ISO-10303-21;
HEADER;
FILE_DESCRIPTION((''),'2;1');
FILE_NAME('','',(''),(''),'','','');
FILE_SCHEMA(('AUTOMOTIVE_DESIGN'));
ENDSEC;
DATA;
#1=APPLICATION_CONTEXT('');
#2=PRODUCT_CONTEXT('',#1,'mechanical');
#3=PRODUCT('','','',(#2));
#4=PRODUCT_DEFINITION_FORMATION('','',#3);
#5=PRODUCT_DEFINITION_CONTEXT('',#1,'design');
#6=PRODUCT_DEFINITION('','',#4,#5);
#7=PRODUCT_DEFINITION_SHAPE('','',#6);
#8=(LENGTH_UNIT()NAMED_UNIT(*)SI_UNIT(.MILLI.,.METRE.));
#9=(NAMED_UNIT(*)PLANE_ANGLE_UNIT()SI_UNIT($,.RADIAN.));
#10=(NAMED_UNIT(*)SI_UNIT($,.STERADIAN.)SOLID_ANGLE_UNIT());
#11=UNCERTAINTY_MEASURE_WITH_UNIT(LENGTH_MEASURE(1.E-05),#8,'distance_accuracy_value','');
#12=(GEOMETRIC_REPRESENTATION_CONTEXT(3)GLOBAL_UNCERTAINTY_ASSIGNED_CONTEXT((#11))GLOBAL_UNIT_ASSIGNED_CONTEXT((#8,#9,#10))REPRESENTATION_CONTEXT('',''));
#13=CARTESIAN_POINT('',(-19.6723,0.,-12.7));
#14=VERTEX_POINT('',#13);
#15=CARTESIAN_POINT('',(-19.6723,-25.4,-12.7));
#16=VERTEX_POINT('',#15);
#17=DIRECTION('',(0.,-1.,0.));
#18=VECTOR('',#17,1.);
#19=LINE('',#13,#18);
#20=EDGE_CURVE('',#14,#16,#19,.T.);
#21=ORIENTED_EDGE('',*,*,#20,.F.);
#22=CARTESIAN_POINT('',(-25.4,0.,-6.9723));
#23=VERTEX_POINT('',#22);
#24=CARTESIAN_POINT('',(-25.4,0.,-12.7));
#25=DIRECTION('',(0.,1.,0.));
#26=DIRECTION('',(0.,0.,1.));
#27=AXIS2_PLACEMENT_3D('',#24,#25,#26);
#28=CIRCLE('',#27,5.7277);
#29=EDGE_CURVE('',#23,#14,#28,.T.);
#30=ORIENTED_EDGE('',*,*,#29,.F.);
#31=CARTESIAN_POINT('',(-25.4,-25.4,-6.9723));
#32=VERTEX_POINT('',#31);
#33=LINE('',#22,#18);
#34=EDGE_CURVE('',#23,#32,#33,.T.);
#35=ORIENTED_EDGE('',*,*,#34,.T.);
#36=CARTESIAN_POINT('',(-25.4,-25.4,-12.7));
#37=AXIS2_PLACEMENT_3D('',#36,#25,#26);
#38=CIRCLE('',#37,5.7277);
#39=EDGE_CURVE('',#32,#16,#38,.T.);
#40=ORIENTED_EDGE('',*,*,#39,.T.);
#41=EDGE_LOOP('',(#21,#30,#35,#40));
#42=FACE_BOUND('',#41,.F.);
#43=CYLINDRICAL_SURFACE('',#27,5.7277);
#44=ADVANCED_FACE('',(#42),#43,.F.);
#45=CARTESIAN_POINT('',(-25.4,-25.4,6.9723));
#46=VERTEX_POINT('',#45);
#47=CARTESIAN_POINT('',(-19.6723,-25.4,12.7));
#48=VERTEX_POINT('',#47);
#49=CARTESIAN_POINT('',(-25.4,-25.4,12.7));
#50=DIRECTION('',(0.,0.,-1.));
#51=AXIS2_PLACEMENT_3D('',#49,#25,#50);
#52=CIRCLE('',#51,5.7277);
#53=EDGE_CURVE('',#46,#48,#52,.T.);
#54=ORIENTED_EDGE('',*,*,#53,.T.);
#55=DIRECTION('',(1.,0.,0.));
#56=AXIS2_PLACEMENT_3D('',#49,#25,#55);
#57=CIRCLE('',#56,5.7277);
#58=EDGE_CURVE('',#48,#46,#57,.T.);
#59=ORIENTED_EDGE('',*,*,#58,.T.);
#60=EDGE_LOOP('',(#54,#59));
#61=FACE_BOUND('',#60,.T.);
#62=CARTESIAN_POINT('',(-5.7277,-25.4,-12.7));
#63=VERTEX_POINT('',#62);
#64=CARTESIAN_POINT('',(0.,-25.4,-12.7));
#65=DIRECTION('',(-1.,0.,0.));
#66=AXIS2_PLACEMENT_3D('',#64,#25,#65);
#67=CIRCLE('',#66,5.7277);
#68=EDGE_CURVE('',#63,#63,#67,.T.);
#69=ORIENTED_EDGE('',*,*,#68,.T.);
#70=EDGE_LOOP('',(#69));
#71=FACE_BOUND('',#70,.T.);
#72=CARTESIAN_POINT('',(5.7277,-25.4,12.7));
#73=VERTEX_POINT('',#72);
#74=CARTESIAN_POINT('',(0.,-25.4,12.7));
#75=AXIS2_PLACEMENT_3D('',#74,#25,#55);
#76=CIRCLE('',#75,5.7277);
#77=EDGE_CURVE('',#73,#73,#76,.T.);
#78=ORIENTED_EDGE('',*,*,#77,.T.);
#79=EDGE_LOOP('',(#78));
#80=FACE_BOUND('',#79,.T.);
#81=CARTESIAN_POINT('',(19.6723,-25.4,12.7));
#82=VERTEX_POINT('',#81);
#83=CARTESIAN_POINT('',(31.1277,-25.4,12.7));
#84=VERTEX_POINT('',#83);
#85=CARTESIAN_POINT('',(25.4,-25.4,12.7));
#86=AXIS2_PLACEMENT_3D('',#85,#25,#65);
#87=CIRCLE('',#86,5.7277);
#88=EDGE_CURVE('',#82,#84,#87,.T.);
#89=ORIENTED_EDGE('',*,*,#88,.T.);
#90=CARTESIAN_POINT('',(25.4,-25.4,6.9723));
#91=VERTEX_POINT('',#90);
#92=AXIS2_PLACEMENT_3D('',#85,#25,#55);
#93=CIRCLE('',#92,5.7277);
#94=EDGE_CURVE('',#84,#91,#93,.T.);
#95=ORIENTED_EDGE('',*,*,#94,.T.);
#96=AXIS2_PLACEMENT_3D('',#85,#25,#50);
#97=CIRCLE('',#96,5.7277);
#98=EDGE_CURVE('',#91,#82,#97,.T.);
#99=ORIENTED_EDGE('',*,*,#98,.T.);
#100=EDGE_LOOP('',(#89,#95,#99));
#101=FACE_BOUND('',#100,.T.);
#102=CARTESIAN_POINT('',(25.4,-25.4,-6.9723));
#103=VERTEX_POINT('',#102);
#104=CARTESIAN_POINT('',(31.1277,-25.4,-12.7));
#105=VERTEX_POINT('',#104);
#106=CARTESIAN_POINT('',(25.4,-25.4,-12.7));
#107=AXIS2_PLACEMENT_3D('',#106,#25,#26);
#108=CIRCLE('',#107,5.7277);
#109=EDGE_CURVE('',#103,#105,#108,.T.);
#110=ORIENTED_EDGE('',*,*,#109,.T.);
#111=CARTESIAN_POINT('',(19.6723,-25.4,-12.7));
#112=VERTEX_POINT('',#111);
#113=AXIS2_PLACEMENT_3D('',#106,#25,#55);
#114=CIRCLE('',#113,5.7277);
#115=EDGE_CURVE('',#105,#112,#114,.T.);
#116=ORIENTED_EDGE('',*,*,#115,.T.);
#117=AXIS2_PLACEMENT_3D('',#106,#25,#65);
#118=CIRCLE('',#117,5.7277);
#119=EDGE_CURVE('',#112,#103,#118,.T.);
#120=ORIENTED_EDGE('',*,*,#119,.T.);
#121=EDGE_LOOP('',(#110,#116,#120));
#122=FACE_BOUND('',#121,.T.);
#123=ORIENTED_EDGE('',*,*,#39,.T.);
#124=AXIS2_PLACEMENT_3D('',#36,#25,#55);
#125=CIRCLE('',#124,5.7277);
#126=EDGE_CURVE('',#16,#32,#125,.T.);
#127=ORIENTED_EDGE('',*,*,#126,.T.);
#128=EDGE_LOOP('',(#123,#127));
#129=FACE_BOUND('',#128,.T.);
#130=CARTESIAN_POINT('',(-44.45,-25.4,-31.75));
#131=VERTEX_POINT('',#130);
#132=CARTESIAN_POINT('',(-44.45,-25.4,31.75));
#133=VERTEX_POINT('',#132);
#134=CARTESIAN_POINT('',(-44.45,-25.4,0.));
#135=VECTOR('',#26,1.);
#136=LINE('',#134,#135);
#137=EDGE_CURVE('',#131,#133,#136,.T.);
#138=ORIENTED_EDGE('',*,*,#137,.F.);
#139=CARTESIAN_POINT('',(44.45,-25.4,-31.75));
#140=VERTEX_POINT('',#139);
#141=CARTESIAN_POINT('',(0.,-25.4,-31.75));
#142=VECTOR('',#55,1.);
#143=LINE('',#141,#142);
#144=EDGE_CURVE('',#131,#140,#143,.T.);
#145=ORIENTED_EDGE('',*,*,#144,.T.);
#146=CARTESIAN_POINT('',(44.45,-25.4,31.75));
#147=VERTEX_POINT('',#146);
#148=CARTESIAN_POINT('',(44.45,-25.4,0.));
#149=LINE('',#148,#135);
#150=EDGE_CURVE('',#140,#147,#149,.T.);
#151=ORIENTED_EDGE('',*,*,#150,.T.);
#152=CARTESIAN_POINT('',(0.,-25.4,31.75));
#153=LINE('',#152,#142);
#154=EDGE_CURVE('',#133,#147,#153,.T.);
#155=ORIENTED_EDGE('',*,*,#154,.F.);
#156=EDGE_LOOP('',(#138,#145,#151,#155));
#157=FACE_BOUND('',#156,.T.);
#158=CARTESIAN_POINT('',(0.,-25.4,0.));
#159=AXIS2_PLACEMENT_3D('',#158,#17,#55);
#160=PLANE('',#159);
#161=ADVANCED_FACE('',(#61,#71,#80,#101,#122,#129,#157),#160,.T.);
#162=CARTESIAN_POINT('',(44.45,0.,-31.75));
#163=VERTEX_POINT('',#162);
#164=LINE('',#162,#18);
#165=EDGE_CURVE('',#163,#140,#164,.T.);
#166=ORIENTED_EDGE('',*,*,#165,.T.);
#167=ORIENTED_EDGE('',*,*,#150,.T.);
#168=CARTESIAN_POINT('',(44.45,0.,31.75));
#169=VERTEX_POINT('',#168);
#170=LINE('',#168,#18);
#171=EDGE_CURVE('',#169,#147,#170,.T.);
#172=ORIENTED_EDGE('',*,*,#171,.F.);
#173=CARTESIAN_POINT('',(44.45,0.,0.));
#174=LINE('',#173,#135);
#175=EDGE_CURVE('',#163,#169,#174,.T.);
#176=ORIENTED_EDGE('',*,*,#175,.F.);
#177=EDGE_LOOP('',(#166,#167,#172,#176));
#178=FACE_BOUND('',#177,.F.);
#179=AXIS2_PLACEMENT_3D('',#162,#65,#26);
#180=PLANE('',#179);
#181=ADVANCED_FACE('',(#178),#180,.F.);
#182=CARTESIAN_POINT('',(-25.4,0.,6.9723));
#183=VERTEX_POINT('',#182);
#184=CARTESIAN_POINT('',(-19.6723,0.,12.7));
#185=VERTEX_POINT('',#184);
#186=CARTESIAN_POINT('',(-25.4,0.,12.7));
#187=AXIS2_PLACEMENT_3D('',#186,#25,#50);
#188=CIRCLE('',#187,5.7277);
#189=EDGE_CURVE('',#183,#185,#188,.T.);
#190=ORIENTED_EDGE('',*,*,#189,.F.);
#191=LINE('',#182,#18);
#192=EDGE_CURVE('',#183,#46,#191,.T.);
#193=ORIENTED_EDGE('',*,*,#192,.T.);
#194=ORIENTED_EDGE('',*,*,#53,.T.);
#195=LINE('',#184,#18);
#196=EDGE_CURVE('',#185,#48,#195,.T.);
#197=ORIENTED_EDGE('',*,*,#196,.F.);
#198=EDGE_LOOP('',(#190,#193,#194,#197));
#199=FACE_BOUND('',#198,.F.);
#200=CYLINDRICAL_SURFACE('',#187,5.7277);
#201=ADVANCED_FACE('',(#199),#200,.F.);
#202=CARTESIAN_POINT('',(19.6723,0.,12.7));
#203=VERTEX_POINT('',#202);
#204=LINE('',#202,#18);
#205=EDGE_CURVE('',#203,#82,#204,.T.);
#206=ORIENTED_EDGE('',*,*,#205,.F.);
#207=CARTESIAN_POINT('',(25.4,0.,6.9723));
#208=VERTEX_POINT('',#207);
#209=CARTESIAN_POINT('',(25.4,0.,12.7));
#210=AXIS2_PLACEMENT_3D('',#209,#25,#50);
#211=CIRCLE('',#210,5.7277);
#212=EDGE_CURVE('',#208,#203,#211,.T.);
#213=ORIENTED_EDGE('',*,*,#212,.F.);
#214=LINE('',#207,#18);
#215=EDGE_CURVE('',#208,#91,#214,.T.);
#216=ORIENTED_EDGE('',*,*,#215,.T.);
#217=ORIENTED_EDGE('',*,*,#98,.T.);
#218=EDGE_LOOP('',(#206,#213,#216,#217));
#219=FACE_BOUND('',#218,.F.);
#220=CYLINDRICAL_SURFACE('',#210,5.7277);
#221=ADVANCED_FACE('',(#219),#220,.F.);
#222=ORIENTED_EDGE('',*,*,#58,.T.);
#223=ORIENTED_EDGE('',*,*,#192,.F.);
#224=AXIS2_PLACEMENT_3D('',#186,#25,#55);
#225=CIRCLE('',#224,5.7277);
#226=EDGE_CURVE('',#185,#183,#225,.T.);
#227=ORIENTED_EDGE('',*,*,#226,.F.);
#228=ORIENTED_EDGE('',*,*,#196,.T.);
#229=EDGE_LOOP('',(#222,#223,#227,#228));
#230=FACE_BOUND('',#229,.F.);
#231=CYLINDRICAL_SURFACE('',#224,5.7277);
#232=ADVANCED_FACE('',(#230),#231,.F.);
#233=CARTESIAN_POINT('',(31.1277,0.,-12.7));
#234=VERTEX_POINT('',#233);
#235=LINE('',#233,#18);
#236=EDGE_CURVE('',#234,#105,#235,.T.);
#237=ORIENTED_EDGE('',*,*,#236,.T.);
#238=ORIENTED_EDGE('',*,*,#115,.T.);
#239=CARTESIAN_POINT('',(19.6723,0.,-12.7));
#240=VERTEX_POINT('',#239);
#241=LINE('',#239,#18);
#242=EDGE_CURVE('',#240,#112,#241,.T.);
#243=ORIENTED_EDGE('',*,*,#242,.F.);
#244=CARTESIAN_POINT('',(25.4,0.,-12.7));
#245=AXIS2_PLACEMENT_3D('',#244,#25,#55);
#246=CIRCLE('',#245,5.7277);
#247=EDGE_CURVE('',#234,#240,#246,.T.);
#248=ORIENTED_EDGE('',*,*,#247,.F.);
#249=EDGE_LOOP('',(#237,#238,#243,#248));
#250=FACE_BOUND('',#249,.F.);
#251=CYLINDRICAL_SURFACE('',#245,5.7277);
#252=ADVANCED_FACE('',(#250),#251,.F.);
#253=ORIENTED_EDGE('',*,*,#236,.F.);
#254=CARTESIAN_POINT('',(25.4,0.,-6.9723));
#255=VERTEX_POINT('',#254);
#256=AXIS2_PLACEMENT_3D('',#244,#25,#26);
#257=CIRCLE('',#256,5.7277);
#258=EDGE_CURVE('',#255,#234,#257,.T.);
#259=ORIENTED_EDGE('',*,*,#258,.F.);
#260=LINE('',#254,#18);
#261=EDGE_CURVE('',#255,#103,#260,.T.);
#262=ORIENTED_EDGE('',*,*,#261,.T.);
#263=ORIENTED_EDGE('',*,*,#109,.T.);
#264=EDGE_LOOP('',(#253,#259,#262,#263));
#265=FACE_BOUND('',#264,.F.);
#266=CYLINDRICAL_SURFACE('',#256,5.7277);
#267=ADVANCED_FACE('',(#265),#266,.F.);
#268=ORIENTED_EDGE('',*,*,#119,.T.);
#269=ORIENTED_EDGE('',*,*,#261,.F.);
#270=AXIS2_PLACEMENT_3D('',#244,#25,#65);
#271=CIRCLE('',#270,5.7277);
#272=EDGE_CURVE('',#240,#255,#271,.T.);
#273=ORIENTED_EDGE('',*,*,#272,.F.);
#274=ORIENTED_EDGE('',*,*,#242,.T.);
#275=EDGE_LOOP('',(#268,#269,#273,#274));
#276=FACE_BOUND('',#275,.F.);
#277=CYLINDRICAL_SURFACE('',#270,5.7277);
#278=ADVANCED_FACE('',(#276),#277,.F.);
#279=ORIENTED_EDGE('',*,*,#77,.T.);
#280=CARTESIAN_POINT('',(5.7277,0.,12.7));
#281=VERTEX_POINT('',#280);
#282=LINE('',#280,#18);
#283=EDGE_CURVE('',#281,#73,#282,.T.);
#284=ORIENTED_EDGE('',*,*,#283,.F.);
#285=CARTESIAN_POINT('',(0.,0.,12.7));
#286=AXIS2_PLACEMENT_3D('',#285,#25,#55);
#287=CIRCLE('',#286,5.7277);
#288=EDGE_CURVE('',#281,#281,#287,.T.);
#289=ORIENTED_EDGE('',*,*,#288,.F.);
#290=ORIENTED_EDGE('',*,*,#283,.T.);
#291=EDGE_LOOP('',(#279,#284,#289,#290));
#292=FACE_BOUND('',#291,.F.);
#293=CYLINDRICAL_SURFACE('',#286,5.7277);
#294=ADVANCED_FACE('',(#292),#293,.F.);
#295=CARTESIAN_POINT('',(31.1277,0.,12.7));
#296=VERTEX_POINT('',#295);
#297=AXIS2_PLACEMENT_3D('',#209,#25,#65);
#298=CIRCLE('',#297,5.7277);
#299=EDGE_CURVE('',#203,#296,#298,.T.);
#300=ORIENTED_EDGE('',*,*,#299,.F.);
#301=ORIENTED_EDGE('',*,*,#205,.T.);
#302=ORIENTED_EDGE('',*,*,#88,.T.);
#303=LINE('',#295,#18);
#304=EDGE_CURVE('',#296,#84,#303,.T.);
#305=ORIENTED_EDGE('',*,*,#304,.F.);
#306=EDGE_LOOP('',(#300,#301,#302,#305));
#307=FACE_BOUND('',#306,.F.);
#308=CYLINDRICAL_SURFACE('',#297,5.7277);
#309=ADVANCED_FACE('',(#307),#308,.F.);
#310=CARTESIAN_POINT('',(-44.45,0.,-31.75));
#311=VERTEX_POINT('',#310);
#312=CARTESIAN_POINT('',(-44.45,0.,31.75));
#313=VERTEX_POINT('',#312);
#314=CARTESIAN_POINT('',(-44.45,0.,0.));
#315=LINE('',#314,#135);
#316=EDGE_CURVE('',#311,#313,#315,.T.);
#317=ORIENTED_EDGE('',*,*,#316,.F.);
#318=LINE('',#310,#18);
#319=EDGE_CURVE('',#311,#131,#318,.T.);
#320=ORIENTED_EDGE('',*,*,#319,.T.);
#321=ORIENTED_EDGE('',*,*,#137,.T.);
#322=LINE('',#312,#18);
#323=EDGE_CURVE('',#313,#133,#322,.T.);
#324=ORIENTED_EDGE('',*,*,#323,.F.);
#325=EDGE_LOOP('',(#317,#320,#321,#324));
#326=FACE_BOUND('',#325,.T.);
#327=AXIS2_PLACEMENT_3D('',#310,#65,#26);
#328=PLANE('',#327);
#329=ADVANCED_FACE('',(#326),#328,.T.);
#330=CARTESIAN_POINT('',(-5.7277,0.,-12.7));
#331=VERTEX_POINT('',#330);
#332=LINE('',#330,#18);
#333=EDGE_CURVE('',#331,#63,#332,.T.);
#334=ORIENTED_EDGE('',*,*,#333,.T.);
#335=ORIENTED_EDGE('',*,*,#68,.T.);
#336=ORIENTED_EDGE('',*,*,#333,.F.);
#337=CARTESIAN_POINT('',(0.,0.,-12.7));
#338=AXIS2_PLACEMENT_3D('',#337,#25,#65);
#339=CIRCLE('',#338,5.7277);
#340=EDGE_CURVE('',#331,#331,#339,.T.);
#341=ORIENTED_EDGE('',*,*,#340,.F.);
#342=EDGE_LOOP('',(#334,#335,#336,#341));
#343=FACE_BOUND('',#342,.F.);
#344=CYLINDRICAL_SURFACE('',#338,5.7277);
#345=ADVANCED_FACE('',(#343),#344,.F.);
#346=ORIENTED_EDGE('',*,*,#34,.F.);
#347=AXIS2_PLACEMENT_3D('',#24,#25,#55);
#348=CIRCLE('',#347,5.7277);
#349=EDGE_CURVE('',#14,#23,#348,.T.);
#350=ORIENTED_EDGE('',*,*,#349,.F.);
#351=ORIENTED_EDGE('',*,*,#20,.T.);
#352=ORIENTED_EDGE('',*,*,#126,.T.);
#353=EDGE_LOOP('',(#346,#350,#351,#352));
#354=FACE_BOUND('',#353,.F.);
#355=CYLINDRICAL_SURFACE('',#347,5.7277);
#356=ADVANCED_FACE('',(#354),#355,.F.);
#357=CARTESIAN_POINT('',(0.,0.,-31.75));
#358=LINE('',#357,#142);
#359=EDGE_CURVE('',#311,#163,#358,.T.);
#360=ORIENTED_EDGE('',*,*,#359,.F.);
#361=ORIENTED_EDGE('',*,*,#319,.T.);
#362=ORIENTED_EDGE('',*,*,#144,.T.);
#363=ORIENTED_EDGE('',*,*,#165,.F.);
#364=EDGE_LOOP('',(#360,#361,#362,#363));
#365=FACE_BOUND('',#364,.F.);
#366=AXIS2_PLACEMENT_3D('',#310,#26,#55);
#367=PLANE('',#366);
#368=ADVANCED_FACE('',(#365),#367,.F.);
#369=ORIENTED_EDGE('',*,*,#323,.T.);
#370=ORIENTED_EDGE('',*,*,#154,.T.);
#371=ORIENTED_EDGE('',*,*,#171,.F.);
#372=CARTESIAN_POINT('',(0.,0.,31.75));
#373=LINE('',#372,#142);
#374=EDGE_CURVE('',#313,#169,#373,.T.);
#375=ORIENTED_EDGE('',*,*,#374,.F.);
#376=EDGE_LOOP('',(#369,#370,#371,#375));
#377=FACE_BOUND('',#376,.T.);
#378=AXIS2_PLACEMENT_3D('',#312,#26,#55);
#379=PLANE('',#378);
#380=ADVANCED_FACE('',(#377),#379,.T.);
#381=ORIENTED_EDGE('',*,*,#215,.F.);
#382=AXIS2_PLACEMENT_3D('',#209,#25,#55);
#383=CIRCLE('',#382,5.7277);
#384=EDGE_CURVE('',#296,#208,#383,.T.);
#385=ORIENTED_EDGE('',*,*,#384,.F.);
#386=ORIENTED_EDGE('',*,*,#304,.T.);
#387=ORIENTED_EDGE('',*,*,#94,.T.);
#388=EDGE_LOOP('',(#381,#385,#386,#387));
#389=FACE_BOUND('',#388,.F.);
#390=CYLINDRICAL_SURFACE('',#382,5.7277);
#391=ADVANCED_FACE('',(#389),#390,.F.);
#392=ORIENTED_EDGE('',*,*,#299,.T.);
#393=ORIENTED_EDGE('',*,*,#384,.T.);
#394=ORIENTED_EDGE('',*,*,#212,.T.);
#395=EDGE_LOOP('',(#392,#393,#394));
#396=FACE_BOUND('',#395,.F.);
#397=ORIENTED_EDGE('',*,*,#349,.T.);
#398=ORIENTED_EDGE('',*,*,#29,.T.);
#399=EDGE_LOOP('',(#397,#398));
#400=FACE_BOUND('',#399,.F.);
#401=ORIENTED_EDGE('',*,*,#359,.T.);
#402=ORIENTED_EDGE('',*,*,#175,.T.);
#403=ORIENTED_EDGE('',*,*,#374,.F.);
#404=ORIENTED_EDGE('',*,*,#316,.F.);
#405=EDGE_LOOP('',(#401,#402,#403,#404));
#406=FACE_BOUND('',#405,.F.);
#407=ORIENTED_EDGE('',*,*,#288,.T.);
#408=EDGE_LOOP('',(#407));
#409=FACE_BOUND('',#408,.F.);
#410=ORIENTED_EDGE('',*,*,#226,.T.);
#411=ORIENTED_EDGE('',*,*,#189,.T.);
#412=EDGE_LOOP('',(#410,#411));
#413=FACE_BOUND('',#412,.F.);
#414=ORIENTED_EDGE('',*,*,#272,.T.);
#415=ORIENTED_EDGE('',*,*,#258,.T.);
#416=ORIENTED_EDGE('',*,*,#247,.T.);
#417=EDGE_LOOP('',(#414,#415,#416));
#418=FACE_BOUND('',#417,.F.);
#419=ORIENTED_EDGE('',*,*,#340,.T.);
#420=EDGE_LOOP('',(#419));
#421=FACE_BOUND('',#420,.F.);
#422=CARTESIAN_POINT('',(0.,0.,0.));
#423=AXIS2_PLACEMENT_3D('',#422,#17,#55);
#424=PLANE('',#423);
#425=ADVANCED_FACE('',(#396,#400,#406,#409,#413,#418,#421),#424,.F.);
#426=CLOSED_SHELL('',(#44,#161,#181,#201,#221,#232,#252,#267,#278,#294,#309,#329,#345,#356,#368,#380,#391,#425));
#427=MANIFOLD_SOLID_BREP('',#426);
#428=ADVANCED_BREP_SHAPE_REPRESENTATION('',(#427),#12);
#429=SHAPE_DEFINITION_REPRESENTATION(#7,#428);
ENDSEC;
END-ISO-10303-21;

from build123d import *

# Parameters (mm, degrees)
F0_W     = 88.9
F0_H     = 63.5
F1_DEPTH = 25.4


with BuildPart() as f1:
    # F0 (on Front) → F1 (new body)
    with BuildSketch(Plane.XZ):
        Rectangle(F0_W, F0_H)
        with BuildLine():
            ThreePointArc((-25.4, 6.9723), (-29.4500955106, 16.7500955106), (-19.6723, 12.7))
            Line((-19.6723, 12.7), (-5.7277, 12.7))
            ThreePointArc((-5.7277, 12.7), (0, 18.4277), (5.7277, 12.7))
            Line((5.7277, 12.7), (19.6723, 12.7))
            ThreePointArc((19.6723, 12.7), (25.4, 18.4277), (31.1277, 12.7))
            ThreePointArc((31.1277, 12.7), (29.4500955106, 8.6499044894), (25.4, 6.9723))
            Line((25.4, 6.9723), (25.4, -6.9723))
            ThreePointArc((25.4, -6.9723), (29.4500955106, -8.6499044894), (31.1277, -12.7))
            ThreePointArc((31.1277, -12.7), (25.4, -18.4277), (19.6723, -12.7))
            Line((19.6723, -12.7), (5.7277, -12.7))
            ThreePointArc((5.7277, -12.7), (0, -18.4277), (-5.7277, -12.7))
            Line((-5.7277, -12.7), (-19.6723, -12.7))
            ThreePointArc((-19.6723, -12.7), (-29.4500955106, -16.7500955106), (-25.4, -6.9723))
            Line((-25.4, -6.9723), (-25.4, 6.9723))
        make_face(mode=Mode.SUBTRACT)
        with BuildLine():
            Line((-5.7277, 12.7), (-19.6723, 12.7))
            ThreePointArc((-19.6723, 12.7), (-21.3499044894, 8.6499044894), (-25.4, 6.9723))
            Line((-25.4, 6.9723), (-25.4, -6.9723))
            ThreePointArc((-25.4, -6.9723), (-21.3499044894, -8.6499044894), (-19.6723, -12.7))
            Line((-19.6723, -12.7), (-5.7277, -12.7))
            ThreePointArc((-5.7277, -12.7), (0, -6.9723), (5.7277, -12.7))
            Line((5.7277, -12.7), (19.6723, -12.7))
            ThreePointArc((19.6723, -12.7), (21.3499044894, -8.6499044894), (25.4, -6.9723))
            Line((25.4, -6.9723), (25.4, 6.9723))
            ThreePointArc((25.4, 6.9723), (21.3499044894, 8.6499044894), (19.6723, 12.7))
            Line((19.6723, 12.7), (5.7277, 12.7))
            ThreePointArc((5.7277, 12.7), (0, 6.9723), (-5.7277, 12.7))
        make_face()
    extrude(amount=F1_DEPTH)


solid = f1.part
